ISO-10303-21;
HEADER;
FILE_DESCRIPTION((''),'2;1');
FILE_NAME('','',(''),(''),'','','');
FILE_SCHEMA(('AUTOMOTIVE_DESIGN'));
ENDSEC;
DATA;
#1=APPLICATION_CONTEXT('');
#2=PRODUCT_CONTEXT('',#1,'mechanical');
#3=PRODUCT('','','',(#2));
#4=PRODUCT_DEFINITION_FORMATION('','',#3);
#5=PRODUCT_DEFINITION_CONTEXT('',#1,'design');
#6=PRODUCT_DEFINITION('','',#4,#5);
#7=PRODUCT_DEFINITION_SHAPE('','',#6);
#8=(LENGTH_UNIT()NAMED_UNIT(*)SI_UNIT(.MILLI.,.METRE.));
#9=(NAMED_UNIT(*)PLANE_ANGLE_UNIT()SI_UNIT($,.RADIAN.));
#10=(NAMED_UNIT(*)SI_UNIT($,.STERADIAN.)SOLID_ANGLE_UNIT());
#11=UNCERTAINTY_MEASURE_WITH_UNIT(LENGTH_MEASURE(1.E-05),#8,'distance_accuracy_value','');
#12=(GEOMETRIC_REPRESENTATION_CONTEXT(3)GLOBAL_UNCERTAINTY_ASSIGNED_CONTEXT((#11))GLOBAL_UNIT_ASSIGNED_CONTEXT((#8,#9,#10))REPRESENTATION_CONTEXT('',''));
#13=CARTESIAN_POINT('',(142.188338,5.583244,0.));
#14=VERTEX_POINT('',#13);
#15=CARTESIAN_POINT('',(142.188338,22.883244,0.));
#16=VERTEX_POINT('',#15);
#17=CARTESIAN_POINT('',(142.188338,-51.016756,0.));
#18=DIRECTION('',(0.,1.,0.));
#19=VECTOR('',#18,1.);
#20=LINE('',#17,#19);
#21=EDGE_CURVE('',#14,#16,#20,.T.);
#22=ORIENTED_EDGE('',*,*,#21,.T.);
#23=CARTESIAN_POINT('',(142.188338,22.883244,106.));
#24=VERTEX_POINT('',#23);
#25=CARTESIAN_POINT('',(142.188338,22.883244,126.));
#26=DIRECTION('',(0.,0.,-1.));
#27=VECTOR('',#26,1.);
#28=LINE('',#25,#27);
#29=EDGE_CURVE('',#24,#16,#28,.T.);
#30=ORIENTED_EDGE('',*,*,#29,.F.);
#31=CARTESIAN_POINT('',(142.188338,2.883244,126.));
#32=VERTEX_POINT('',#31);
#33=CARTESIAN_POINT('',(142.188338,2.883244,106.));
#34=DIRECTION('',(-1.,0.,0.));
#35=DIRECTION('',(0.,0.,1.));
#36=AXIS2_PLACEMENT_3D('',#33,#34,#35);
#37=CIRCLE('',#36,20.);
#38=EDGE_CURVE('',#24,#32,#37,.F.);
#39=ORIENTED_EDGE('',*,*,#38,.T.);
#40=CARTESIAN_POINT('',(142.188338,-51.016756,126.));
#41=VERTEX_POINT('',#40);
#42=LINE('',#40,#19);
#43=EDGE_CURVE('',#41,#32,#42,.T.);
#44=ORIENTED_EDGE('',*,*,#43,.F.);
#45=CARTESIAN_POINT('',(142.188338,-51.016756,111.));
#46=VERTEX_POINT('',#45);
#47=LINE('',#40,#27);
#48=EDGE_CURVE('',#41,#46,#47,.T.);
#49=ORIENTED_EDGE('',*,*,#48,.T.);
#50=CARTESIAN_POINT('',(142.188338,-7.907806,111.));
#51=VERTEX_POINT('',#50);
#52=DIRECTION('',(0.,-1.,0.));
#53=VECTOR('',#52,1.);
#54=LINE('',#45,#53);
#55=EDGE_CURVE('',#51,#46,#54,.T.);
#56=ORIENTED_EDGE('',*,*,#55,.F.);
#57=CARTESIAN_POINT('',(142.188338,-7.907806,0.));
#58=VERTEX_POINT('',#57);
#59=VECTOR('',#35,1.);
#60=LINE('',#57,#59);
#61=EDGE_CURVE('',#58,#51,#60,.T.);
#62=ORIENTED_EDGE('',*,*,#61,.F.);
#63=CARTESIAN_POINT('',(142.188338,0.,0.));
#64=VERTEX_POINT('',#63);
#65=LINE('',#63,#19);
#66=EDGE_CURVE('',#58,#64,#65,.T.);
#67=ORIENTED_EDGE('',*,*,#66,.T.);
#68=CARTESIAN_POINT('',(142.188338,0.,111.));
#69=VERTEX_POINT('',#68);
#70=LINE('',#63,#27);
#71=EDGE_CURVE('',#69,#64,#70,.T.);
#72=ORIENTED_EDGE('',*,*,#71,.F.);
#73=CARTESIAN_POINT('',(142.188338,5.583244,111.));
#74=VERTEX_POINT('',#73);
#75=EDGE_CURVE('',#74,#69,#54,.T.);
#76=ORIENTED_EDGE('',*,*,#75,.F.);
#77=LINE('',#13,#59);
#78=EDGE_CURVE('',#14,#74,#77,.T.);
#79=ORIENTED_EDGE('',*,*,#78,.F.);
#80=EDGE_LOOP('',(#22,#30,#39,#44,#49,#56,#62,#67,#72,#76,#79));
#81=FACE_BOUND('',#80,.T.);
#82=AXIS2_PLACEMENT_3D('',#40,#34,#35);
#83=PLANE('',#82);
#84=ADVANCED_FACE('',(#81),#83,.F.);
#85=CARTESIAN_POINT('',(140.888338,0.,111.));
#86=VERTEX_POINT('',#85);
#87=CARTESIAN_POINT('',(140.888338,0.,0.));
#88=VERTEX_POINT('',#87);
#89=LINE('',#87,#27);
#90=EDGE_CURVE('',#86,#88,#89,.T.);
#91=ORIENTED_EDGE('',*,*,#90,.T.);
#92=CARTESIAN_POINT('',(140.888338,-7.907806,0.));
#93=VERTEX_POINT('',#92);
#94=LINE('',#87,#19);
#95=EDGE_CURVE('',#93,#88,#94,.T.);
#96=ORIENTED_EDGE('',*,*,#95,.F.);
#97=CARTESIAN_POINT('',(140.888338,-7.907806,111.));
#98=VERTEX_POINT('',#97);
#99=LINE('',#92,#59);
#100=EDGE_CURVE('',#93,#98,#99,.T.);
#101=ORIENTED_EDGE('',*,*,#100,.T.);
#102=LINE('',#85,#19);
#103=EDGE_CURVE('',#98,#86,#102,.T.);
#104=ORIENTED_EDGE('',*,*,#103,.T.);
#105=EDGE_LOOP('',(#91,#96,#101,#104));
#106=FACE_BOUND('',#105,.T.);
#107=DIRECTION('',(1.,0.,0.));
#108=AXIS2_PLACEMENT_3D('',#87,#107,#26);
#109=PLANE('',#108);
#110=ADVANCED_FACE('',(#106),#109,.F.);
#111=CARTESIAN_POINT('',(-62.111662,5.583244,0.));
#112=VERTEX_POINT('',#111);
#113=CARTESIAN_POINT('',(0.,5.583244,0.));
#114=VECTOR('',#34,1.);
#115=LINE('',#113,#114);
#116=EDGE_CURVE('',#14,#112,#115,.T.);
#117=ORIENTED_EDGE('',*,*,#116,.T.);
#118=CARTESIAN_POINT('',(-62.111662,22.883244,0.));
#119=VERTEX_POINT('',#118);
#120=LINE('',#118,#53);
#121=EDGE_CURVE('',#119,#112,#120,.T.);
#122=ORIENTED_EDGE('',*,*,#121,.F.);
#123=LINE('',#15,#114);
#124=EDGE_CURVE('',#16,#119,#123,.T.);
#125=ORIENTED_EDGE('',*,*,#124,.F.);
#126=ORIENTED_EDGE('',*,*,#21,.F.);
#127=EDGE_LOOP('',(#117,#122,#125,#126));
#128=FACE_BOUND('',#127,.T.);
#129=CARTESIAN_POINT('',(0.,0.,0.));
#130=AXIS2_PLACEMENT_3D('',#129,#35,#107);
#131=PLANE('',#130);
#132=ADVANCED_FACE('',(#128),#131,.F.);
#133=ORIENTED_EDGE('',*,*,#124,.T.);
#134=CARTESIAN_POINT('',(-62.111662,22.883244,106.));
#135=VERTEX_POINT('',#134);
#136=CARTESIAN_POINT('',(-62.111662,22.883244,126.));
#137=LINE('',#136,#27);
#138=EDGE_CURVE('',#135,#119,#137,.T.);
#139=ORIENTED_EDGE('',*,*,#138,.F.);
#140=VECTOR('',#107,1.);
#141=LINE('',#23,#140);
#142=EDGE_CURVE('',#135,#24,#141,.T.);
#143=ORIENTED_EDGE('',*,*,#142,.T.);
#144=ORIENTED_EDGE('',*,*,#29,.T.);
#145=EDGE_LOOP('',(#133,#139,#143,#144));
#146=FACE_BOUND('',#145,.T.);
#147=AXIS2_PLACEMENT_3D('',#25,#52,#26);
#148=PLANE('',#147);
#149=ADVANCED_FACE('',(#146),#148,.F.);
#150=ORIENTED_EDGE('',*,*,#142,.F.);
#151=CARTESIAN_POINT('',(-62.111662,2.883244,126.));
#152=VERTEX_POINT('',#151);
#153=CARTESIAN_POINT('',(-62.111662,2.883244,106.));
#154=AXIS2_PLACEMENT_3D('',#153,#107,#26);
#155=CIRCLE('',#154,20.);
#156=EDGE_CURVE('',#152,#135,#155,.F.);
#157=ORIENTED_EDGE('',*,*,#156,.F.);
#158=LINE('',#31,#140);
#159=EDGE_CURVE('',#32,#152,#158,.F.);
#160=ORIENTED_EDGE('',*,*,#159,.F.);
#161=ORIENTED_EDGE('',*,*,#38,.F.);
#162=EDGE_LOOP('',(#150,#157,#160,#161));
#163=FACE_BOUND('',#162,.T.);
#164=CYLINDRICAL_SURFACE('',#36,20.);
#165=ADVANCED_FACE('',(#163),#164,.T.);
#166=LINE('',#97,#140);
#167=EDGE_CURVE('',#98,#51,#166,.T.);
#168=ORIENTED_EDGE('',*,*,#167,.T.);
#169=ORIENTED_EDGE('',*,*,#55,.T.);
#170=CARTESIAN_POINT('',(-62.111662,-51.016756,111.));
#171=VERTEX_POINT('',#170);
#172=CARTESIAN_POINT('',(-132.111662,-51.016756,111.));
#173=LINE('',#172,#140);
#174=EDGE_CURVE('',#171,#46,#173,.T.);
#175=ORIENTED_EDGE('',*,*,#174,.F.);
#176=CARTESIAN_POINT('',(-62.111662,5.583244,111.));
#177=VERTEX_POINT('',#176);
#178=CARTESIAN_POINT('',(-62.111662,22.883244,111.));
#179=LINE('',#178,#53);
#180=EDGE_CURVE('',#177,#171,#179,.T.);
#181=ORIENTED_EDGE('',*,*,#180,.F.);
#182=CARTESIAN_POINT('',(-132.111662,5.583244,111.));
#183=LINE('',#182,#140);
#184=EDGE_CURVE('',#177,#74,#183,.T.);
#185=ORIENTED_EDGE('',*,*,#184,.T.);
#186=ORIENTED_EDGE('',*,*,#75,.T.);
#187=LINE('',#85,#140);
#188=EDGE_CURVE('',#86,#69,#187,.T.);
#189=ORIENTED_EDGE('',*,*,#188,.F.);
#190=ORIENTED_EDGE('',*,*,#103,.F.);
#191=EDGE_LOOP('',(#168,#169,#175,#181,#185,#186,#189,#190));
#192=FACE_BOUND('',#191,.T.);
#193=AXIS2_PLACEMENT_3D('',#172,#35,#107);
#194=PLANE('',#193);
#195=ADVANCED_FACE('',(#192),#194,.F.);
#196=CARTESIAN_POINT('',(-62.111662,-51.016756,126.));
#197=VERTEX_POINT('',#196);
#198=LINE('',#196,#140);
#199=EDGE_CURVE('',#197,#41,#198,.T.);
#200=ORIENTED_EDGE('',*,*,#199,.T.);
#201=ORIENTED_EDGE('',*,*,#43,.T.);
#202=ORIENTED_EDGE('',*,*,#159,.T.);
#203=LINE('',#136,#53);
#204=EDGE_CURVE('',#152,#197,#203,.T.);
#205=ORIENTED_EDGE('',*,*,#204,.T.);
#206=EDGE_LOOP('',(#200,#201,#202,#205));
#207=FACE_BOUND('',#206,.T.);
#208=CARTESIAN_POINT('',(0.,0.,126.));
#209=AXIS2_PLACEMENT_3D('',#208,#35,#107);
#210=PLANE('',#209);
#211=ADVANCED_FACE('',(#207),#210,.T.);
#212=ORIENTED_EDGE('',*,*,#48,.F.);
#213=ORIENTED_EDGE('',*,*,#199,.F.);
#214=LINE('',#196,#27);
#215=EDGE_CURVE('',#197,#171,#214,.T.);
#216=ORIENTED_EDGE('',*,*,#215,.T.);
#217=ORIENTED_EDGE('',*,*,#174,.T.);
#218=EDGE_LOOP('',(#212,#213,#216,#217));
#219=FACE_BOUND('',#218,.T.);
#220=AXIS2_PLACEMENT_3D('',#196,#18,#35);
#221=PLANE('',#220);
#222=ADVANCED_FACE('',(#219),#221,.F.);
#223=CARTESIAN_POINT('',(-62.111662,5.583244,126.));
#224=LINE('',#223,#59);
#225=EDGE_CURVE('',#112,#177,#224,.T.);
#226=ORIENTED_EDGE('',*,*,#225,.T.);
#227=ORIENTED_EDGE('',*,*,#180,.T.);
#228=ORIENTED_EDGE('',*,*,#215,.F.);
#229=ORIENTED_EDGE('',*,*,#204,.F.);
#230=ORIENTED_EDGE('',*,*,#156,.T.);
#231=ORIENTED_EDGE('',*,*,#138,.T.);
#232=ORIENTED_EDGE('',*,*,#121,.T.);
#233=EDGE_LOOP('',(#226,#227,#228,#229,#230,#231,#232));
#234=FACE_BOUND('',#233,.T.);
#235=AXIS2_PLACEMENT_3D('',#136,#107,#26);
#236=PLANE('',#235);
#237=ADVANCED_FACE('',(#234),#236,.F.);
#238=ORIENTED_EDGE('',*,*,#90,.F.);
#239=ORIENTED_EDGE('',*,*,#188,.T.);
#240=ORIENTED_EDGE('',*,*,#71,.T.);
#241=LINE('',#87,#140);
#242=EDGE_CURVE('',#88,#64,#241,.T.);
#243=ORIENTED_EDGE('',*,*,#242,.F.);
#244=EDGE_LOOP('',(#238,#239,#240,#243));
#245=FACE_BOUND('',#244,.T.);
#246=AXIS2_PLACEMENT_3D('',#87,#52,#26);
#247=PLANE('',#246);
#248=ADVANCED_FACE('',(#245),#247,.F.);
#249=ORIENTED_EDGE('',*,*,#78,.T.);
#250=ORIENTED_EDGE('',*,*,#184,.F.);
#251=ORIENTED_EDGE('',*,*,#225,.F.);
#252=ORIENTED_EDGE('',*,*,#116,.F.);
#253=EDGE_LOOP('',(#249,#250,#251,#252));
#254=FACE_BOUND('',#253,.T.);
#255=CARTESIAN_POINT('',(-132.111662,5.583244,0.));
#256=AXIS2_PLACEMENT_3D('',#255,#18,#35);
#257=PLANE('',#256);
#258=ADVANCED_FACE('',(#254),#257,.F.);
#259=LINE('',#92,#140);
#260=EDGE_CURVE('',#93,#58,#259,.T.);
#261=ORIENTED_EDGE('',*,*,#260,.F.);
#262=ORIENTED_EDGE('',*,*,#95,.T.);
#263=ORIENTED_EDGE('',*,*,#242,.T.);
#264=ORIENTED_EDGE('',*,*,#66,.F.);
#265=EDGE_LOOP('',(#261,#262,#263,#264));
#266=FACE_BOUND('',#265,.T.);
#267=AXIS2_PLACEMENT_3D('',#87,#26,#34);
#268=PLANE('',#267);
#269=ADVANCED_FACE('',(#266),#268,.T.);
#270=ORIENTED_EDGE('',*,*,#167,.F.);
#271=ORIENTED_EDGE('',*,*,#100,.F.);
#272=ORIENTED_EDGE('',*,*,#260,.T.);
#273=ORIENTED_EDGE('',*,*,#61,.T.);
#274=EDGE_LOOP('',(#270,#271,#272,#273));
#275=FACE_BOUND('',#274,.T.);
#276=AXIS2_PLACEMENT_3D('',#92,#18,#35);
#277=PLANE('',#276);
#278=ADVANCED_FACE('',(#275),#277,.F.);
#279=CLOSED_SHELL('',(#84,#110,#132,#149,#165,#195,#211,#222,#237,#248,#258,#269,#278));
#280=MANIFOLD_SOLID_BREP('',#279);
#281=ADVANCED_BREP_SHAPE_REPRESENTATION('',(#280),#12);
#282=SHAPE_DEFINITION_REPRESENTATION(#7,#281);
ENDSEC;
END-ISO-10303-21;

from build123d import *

# Parameters (mm, degrees)
SKETCH2_W           = 204.3
SKETCH2_H           = 73.9
BOSS_EXTRUDE1_DEPTH = 126
SKETCH3_W           = 111
SKETCH3_H           = 56.6
CUT_EXTRUDE2_DEPTH  = 274.3
FILLET1_R           = 20
SKETCH5_W           = 111
SKETCH5_H           = 7.907805674
BOSS_EXTRUDE4_DEPTH = 1.3


with BuildPart() as part:
    # Sketch2 → Boss-Extrude1 (new body)
    with BuildSketch(Plane.XY):
        with Locations((40.038337802, -14.066756032)):
            Rectangle(SKETCH2_W, SKETCH2_H)
    extrude(amount=BOSS_EXTRUDE1_DEPTH)

    # Sketch3 → Cut-Extrude2 (cut)
    with BuildSketch(Plane(origin=(142.188337802, 0, 0), x_dir=(0, 0, -1), z_dir=(1, 0, 0))):
        with Locations((-55.5, -22.716756032)):
            Rectangle(SKETCH3_W, SKETCH3_H)
    extrude(amount=-CUT_EXTRUDE2_DEPTH, mode=Mode.SUBTRACT)

    # Fillet1
    fillet1_edges = [part.edges().sort_by_distance(p)[0] for p in [
        (40.038337802, 22.883243968, 126),
    ]]
    fillet(fillet1_edges, radius=FILLET1_R)

    # Sketch5 → Boss-Extrude4 (add)
    with BuildSketch(Plane(origin=(142.188337802, 0, 0), x_dir=(0, 0, -1), z_dir=(1, 0, 0))):
        with Locations((-55.5, -3.953902837)):
            Rectangle(SKETCH5_W, SKETCH5_H)
    extrude(amount=-BOSS_EXTRUDE4_DEPTH)


solid = part.part
